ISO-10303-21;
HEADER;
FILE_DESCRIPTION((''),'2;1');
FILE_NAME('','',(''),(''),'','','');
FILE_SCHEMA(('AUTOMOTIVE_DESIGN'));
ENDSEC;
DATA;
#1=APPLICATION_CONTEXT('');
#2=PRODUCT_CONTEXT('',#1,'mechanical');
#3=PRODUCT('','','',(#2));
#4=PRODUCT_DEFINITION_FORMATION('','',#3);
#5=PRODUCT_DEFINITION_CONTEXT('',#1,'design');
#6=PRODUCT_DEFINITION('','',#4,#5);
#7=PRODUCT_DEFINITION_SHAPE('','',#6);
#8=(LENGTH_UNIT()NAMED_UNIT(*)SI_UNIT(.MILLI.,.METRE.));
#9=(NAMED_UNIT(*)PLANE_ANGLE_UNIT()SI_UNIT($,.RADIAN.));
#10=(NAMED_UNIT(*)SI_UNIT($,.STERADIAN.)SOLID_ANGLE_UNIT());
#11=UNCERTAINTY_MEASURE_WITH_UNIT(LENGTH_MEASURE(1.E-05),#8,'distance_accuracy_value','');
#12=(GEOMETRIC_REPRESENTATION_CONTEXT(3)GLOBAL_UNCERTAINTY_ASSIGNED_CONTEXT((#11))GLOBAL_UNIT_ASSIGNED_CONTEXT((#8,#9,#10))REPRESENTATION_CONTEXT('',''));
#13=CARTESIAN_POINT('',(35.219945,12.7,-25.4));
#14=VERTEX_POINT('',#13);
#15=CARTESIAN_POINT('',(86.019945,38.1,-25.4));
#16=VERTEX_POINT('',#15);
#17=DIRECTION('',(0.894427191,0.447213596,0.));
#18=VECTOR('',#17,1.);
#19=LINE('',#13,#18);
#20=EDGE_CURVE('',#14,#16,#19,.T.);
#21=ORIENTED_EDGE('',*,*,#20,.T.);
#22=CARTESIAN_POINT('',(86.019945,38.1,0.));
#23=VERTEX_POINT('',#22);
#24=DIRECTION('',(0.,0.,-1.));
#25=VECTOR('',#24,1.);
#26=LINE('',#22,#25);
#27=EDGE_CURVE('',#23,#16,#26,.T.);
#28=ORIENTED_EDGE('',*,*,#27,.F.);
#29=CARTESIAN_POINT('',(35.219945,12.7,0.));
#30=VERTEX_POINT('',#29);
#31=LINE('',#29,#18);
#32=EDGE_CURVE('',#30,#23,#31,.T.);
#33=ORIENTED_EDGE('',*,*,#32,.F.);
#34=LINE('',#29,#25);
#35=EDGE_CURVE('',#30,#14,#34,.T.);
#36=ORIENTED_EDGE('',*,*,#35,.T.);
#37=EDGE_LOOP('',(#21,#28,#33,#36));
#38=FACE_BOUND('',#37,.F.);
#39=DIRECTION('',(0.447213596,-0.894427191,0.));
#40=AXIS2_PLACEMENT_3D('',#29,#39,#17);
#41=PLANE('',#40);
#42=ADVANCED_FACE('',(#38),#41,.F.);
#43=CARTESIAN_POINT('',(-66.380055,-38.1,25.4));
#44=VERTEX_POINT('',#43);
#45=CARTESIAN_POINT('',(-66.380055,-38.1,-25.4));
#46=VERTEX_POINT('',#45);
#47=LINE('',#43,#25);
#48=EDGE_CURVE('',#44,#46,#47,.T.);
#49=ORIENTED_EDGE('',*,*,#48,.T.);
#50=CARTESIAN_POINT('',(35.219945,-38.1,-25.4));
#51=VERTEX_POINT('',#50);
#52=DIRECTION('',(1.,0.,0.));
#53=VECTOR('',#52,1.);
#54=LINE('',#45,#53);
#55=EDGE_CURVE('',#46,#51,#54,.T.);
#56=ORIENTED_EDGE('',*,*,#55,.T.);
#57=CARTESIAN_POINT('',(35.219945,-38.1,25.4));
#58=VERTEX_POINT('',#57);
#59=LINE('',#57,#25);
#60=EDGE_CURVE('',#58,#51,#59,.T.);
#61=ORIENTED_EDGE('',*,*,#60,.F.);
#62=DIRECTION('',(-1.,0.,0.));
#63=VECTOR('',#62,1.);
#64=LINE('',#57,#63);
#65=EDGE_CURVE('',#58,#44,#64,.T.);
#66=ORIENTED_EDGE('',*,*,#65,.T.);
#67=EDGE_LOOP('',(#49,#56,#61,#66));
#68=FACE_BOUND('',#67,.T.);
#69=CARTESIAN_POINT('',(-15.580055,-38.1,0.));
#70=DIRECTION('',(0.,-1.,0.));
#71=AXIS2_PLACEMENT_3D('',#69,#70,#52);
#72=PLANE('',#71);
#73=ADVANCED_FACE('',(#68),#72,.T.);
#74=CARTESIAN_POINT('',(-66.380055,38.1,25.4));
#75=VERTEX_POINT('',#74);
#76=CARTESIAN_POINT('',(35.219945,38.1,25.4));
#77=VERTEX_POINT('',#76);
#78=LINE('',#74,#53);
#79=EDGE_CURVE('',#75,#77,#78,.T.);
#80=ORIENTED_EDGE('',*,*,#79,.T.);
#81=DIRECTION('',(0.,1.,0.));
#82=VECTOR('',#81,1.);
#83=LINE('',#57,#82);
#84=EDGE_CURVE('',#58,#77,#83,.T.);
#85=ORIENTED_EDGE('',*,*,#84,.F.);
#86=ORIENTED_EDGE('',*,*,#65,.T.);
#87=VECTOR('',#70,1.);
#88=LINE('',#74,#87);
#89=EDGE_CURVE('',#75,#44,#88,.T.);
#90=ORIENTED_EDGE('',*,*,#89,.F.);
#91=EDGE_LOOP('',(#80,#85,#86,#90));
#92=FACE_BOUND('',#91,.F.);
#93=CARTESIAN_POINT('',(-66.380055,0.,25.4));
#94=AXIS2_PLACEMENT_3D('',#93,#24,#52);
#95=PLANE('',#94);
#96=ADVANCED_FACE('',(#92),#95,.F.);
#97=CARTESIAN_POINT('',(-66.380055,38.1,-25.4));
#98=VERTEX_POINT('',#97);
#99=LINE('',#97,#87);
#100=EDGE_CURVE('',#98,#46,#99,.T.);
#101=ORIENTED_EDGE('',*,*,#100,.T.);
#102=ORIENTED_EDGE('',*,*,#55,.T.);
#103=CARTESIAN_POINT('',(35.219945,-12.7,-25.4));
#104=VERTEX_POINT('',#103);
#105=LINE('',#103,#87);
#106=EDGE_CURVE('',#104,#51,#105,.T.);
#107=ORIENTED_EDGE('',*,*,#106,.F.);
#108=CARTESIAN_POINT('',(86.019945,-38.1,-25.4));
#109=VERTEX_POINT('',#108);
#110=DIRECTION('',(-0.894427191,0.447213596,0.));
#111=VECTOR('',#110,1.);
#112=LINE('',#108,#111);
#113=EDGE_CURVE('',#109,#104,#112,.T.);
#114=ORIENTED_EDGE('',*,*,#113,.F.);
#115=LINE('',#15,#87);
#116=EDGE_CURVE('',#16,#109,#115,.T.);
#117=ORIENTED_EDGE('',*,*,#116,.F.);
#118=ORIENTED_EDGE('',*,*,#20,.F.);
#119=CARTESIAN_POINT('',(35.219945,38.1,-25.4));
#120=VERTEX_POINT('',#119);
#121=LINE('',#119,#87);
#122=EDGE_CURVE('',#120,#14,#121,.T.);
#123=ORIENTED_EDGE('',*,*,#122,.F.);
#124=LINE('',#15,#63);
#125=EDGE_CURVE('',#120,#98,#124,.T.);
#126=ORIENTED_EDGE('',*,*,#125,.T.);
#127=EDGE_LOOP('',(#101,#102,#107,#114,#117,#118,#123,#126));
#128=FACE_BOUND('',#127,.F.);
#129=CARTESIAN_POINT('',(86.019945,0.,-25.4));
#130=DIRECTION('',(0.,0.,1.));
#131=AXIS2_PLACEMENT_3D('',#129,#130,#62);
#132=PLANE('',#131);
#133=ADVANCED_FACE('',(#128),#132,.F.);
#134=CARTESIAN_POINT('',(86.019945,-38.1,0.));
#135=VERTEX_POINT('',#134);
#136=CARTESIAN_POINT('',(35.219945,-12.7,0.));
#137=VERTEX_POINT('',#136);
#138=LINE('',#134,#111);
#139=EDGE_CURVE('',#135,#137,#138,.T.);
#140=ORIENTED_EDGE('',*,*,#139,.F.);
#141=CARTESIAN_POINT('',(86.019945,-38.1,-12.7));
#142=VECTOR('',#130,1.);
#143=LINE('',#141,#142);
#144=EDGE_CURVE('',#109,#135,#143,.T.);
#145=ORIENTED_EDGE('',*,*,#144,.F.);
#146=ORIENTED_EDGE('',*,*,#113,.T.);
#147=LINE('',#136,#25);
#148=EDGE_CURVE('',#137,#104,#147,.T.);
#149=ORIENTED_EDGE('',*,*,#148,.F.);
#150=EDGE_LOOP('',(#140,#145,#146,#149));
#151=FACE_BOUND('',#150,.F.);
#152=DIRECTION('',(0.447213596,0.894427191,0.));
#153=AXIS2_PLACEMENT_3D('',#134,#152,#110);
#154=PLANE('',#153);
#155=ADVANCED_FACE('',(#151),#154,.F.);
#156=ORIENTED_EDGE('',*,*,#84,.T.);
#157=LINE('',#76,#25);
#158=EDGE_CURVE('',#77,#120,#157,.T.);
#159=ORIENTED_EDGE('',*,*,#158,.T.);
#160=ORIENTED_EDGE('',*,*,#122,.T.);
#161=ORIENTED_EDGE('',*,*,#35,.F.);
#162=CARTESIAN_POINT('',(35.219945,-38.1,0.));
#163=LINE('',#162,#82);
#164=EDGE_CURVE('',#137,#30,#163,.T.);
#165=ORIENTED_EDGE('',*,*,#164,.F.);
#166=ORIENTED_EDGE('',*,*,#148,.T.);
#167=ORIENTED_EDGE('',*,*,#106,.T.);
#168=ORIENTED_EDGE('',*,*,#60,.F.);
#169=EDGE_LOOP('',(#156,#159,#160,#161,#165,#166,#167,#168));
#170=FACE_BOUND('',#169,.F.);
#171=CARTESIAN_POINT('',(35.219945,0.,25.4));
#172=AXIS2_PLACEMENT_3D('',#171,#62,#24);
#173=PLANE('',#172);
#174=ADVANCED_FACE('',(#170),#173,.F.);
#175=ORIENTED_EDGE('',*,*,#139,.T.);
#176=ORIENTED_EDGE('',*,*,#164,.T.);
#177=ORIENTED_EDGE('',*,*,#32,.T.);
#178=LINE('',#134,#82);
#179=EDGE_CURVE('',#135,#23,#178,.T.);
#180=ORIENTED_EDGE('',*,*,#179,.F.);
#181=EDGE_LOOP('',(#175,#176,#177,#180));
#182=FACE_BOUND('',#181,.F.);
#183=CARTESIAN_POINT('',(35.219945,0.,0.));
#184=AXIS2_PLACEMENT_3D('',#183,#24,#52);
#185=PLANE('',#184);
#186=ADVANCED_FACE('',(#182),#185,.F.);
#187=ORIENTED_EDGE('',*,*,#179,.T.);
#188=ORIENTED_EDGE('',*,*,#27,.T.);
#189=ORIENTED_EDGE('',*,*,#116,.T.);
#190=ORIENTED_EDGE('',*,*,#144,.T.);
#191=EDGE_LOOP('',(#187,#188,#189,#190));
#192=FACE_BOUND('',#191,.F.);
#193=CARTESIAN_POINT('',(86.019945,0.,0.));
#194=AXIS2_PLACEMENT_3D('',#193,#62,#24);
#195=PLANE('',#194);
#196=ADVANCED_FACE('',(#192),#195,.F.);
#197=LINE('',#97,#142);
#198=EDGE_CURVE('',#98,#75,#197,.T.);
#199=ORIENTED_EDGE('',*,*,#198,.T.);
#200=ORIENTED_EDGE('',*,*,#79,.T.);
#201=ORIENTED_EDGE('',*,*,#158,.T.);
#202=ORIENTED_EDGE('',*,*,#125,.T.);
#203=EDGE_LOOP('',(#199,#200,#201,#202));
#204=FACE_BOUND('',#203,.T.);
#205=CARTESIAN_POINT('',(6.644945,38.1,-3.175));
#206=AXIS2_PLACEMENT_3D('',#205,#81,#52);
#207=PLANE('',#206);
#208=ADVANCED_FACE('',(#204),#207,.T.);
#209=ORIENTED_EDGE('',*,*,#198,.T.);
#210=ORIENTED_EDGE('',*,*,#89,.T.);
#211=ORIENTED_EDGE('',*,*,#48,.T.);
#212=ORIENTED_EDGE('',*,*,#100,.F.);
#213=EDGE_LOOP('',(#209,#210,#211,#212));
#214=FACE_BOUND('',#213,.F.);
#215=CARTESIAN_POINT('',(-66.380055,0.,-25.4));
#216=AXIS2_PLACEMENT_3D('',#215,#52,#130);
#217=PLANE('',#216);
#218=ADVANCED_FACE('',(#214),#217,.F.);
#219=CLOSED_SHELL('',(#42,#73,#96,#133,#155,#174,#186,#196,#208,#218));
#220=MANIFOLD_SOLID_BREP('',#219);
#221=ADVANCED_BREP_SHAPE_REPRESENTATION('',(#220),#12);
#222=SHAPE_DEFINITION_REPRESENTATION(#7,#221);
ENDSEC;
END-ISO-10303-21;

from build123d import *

# Parameters (mm, degrees)
F0_W     = 50.8
F0_H     = 25.4
F1_DEPTH = 38.1
F2_DEPTH = 38.1
F4_DEPTH = 25.4


with BuildPart() as f1:
    # F0 (on Front) → F1 (new body)
    with BuildSketch(Plane.XZ):
        Polygon((35.219945, 25.4), (-66.380055, 25.4), (-66.380055, -25.4), (35.219945, -25.4), (35.219945, 0), align=None)
        with Locations((60.619945, -12.7)):
            Rectangle(F0_W, F0_H)
    extrude(amount=F1_DEPTH)

    # F1_face (on face) → F2 (join)
    with BuildSketch(Plane(origin=(-0.340055, 0, -2.54), x_dir=(1, 0, 0), z_dir=(0, 1, 0))):
        Polygon((-66.04, -27.94), (35.56, -27.94), (35.56, -2.54), (86.36, -2.54), (86.36, 22.86), (-66.04, 22.86), align=None)
    extrude(amount=F2_DEPTH)

    # F3 (on face) → F4 (cut)
    with BuildSketch(Plane.XY):
        Polygon((35.219945, -38.1), (86.019945, -38.1), (35.219945, -12.7), align=None)
        Polygon((35.219945, 12.7), (86.019945, 38.1), (35.219945, 38.1), align=None)
    extrude(amount=-F4_DEPTH, mode=Mode.SUBTRACT)


solid = f1.part
